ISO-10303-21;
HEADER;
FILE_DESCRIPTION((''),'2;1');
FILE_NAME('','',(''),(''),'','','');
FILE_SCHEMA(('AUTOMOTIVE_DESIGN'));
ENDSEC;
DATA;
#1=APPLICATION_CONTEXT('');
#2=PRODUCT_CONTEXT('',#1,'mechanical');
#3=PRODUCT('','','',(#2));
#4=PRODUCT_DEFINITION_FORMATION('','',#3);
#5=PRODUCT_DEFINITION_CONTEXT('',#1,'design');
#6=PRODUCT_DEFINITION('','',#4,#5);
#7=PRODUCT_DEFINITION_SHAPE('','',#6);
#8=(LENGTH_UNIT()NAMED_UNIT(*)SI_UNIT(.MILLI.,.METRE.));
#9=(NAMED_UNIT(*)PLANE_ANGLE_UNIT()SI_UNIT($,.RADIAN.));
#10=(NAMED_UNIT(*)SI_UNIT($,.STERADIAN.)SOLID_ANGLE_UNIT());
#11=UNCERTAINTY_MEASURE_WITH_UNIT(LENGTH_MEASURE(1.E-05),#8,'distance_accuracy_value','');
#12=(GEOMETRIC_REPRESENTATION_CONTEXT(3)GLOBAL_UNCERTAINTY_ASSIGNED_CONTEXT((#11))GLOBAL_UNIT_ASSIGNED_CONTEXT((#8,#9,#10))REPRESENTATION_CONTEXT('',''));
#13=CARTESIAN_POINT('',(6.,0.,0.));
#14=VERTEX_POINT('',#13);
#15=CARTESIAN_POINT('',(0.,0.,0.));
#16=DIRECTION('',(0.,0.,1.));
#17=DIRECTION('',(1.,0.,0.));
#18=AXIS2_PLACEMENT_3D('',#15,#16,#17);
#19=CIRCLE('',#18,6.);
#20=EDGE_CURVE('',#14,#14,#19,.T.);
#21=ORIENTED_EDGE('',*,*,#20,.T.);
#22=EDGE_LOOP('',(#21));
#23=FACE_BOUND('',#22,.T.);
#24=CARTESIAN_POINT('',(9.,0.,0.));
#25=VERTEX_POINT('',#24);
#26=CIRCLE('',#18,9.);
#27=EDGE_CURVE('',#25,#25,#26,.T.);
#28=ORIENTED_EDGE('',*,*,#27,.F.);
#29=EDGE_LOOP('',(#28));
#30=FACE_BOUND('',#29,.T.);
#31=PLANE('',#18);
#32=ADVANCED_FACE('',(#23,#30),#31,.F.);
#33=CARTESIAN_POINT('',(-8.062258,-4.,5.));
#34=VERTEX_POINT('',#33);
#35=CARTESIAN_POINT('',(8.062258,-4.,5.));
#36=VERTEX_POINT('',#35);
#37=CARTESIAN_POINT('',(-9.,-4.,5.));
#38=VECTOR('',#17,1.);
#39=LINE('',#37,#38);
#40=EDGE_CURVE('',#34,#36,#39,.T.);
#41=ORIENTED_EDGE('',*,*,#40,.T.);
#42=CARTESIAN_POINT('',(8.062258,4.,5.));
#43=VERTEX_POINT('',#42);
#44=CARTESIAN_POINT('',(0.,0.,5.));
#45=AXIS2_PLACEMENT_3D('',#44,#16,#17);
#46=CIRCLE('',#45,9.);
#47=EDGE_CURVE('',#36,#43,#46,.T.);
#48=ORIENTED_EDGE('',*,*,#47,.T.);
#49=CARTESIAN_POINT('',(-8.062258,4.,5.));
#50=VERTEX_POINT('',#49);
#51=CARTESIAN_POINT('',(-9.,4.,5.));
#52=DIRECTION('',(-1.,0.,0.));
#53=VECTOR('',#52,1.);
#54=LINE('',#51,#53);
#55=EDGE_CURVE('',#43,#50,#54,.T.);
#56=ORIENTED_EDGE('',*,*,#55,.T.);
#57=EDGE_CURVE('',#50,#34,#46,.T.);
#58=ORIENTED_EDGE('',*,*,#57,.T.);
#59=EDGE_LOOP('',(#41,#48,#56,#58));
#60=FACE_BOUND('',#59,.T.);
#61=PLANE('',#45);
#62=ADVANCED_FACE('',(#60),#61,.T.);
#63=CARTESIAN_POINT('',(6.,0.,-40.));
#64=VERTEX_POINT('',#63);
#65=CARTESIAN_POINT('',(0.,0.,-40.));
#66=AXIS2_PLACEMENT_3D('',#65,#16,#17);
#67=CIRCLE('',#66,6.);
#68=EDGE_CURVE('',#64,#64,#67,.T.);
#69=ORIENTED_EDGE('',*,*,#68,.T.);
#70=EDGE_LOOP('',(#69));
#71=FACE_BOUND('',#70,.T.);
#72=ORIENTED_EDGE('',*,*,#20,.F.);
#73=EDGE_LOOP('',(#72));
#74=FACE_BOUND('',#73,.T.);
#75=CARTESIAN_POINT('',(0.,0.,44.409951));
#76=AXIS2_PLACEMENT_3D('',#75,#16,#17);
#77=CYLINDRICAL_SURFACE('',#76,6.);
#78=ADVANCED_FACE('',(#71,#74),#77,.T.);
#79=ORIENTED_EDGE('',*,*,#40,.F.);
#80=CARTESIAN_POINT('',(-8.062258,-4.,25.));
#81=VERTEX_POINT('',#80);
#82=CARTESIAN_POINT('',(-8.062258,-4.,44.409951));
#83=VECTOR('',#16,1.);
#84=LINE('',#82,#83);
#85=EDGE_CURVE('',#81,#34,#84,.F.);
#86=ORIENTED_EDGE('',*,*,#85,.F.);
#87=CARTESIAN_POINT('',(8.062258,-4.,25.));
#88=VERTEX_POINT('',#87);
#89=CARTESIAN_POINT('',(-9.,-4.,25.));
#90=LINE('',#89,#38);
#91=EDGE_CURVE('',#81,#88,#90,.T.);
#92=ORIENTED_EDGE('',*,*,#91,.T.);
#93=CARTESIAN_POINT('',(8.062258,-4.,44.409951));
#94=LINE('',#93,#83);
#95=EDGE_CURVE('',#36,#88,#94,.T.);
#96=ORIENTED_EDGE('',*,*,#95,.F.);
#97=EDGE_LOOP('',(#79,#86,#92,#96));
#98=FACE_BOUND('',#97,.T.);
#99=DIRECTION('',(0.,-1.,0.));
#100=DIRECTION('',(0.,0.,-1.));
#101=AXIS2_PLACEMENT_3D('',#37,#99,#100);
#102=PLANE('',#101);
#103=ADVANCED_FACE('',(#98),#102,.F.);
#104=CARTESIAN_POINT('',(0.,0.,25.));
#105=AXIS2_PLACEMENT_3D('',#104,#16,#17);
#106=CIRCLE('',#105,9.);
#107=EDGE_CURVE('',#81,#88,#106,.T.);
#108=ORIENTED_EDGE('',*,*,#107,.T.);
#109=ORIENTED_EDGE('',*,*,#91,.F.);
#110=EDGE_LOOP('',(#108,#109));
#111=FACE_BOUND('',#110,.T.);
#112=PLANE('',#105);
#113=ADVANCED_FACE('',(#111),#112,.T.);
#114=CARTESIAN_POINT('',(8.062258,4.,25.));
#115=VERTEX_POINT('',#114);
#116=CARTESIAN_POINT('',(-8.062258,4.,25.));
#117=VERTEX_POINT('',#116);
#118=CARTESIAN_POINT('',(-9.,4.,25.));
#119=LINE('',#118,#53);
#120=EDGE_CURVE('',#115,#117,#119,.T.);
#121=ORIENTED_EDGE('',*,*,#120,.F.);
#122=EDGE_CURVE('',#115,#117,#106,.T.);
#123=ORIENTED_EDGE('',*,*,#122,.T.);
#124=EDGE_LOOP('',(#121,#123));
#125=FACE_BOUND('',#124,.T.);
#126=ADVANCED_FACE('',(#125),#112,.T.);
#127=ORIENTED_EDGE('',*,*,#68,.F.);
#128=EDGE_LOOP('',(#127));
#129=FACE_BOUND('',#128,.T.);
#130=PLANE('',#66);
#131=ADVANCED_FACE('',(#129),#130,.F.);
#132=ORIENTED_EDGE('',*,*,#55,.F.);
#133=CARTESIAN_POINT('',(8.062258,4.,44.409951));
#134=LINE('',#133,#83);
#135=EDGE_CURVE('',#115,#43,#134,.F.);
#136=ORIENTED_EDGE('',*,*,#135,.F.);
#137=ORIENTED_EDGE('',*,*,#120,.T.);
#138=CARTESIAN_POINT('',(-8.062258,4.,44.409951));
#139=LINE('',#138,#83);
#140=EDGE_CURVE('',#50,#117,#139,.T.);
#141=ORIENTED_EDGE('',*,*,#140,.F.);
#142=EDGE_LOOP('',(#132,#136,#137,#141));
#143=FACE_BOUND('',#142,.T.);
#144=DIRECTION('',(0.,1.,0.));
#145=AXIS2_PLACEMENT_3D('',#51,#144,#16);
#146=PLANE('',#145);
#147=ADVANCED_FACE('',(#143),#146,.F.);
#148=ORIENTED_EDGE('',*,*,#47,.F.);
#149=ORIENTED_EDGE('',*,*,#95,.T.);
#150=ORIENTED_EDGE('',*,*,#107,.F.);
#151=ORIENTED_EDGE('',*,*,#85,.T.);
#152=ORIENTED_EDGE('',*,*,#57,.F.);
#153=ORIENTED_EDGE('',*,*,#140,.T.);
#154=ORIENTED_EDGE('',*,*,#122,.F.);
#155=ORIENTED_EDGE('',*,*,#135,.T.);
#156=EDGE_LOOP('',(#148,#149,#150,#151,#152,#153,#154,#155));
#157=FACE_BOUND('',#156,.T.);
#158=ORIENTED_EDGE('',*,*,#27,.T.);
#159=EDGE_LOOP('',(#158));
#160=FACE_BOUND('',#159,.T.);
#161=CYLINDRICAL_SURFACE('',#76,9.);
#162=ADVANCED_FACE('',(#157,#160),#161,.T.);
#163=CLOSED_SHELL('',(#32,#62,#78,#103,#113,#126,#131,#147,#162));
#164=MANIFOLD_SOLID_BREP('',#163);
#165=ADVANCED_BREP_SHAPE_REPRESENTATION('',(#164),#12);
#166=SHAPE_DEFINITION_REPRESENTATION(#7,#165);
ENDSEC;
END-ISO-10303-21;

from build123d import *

# Parameters (mm, degrees)
SZKIC1_W                   = 6
SZKIC1_H                   = 40
SZKIC2_W                   = 18
SZKIC2_H                   = 8
WYTNIJ_WYCI_GNI_CIE1_DEPTH = 20


with BuildPart() as part:
    # Szkic1 → Obrót1 (revolve)
    with BuildSketch(Plane(origin=(0, 0, 0), x_dir=(1, 0, 0), z_dir=(0, 1, 0))):
        with Locations((3, 20)):
            Rectangle(SZKIC1_W, SZKIC1_H)
        Polygon((0, 0), (0, -25), (9, -25), (9, 0), (6, 0), align=None)
    revolve(axis=Axis((0, 0, 44.409951059), (0, 0, -1)))

    # Szkic2 → Wytnij-wyciągnięcie1 (cut)
    with BuildSketch(Plane.XY.offset(25)):
        Rectangle(SZKIC2_W, SZKIC2_H)
    extrude(amount=-WYTNIJ_WYCI_GNI_CIE1_DEPTH, mode=Mode.SUBTRACT)


solid = part.part
